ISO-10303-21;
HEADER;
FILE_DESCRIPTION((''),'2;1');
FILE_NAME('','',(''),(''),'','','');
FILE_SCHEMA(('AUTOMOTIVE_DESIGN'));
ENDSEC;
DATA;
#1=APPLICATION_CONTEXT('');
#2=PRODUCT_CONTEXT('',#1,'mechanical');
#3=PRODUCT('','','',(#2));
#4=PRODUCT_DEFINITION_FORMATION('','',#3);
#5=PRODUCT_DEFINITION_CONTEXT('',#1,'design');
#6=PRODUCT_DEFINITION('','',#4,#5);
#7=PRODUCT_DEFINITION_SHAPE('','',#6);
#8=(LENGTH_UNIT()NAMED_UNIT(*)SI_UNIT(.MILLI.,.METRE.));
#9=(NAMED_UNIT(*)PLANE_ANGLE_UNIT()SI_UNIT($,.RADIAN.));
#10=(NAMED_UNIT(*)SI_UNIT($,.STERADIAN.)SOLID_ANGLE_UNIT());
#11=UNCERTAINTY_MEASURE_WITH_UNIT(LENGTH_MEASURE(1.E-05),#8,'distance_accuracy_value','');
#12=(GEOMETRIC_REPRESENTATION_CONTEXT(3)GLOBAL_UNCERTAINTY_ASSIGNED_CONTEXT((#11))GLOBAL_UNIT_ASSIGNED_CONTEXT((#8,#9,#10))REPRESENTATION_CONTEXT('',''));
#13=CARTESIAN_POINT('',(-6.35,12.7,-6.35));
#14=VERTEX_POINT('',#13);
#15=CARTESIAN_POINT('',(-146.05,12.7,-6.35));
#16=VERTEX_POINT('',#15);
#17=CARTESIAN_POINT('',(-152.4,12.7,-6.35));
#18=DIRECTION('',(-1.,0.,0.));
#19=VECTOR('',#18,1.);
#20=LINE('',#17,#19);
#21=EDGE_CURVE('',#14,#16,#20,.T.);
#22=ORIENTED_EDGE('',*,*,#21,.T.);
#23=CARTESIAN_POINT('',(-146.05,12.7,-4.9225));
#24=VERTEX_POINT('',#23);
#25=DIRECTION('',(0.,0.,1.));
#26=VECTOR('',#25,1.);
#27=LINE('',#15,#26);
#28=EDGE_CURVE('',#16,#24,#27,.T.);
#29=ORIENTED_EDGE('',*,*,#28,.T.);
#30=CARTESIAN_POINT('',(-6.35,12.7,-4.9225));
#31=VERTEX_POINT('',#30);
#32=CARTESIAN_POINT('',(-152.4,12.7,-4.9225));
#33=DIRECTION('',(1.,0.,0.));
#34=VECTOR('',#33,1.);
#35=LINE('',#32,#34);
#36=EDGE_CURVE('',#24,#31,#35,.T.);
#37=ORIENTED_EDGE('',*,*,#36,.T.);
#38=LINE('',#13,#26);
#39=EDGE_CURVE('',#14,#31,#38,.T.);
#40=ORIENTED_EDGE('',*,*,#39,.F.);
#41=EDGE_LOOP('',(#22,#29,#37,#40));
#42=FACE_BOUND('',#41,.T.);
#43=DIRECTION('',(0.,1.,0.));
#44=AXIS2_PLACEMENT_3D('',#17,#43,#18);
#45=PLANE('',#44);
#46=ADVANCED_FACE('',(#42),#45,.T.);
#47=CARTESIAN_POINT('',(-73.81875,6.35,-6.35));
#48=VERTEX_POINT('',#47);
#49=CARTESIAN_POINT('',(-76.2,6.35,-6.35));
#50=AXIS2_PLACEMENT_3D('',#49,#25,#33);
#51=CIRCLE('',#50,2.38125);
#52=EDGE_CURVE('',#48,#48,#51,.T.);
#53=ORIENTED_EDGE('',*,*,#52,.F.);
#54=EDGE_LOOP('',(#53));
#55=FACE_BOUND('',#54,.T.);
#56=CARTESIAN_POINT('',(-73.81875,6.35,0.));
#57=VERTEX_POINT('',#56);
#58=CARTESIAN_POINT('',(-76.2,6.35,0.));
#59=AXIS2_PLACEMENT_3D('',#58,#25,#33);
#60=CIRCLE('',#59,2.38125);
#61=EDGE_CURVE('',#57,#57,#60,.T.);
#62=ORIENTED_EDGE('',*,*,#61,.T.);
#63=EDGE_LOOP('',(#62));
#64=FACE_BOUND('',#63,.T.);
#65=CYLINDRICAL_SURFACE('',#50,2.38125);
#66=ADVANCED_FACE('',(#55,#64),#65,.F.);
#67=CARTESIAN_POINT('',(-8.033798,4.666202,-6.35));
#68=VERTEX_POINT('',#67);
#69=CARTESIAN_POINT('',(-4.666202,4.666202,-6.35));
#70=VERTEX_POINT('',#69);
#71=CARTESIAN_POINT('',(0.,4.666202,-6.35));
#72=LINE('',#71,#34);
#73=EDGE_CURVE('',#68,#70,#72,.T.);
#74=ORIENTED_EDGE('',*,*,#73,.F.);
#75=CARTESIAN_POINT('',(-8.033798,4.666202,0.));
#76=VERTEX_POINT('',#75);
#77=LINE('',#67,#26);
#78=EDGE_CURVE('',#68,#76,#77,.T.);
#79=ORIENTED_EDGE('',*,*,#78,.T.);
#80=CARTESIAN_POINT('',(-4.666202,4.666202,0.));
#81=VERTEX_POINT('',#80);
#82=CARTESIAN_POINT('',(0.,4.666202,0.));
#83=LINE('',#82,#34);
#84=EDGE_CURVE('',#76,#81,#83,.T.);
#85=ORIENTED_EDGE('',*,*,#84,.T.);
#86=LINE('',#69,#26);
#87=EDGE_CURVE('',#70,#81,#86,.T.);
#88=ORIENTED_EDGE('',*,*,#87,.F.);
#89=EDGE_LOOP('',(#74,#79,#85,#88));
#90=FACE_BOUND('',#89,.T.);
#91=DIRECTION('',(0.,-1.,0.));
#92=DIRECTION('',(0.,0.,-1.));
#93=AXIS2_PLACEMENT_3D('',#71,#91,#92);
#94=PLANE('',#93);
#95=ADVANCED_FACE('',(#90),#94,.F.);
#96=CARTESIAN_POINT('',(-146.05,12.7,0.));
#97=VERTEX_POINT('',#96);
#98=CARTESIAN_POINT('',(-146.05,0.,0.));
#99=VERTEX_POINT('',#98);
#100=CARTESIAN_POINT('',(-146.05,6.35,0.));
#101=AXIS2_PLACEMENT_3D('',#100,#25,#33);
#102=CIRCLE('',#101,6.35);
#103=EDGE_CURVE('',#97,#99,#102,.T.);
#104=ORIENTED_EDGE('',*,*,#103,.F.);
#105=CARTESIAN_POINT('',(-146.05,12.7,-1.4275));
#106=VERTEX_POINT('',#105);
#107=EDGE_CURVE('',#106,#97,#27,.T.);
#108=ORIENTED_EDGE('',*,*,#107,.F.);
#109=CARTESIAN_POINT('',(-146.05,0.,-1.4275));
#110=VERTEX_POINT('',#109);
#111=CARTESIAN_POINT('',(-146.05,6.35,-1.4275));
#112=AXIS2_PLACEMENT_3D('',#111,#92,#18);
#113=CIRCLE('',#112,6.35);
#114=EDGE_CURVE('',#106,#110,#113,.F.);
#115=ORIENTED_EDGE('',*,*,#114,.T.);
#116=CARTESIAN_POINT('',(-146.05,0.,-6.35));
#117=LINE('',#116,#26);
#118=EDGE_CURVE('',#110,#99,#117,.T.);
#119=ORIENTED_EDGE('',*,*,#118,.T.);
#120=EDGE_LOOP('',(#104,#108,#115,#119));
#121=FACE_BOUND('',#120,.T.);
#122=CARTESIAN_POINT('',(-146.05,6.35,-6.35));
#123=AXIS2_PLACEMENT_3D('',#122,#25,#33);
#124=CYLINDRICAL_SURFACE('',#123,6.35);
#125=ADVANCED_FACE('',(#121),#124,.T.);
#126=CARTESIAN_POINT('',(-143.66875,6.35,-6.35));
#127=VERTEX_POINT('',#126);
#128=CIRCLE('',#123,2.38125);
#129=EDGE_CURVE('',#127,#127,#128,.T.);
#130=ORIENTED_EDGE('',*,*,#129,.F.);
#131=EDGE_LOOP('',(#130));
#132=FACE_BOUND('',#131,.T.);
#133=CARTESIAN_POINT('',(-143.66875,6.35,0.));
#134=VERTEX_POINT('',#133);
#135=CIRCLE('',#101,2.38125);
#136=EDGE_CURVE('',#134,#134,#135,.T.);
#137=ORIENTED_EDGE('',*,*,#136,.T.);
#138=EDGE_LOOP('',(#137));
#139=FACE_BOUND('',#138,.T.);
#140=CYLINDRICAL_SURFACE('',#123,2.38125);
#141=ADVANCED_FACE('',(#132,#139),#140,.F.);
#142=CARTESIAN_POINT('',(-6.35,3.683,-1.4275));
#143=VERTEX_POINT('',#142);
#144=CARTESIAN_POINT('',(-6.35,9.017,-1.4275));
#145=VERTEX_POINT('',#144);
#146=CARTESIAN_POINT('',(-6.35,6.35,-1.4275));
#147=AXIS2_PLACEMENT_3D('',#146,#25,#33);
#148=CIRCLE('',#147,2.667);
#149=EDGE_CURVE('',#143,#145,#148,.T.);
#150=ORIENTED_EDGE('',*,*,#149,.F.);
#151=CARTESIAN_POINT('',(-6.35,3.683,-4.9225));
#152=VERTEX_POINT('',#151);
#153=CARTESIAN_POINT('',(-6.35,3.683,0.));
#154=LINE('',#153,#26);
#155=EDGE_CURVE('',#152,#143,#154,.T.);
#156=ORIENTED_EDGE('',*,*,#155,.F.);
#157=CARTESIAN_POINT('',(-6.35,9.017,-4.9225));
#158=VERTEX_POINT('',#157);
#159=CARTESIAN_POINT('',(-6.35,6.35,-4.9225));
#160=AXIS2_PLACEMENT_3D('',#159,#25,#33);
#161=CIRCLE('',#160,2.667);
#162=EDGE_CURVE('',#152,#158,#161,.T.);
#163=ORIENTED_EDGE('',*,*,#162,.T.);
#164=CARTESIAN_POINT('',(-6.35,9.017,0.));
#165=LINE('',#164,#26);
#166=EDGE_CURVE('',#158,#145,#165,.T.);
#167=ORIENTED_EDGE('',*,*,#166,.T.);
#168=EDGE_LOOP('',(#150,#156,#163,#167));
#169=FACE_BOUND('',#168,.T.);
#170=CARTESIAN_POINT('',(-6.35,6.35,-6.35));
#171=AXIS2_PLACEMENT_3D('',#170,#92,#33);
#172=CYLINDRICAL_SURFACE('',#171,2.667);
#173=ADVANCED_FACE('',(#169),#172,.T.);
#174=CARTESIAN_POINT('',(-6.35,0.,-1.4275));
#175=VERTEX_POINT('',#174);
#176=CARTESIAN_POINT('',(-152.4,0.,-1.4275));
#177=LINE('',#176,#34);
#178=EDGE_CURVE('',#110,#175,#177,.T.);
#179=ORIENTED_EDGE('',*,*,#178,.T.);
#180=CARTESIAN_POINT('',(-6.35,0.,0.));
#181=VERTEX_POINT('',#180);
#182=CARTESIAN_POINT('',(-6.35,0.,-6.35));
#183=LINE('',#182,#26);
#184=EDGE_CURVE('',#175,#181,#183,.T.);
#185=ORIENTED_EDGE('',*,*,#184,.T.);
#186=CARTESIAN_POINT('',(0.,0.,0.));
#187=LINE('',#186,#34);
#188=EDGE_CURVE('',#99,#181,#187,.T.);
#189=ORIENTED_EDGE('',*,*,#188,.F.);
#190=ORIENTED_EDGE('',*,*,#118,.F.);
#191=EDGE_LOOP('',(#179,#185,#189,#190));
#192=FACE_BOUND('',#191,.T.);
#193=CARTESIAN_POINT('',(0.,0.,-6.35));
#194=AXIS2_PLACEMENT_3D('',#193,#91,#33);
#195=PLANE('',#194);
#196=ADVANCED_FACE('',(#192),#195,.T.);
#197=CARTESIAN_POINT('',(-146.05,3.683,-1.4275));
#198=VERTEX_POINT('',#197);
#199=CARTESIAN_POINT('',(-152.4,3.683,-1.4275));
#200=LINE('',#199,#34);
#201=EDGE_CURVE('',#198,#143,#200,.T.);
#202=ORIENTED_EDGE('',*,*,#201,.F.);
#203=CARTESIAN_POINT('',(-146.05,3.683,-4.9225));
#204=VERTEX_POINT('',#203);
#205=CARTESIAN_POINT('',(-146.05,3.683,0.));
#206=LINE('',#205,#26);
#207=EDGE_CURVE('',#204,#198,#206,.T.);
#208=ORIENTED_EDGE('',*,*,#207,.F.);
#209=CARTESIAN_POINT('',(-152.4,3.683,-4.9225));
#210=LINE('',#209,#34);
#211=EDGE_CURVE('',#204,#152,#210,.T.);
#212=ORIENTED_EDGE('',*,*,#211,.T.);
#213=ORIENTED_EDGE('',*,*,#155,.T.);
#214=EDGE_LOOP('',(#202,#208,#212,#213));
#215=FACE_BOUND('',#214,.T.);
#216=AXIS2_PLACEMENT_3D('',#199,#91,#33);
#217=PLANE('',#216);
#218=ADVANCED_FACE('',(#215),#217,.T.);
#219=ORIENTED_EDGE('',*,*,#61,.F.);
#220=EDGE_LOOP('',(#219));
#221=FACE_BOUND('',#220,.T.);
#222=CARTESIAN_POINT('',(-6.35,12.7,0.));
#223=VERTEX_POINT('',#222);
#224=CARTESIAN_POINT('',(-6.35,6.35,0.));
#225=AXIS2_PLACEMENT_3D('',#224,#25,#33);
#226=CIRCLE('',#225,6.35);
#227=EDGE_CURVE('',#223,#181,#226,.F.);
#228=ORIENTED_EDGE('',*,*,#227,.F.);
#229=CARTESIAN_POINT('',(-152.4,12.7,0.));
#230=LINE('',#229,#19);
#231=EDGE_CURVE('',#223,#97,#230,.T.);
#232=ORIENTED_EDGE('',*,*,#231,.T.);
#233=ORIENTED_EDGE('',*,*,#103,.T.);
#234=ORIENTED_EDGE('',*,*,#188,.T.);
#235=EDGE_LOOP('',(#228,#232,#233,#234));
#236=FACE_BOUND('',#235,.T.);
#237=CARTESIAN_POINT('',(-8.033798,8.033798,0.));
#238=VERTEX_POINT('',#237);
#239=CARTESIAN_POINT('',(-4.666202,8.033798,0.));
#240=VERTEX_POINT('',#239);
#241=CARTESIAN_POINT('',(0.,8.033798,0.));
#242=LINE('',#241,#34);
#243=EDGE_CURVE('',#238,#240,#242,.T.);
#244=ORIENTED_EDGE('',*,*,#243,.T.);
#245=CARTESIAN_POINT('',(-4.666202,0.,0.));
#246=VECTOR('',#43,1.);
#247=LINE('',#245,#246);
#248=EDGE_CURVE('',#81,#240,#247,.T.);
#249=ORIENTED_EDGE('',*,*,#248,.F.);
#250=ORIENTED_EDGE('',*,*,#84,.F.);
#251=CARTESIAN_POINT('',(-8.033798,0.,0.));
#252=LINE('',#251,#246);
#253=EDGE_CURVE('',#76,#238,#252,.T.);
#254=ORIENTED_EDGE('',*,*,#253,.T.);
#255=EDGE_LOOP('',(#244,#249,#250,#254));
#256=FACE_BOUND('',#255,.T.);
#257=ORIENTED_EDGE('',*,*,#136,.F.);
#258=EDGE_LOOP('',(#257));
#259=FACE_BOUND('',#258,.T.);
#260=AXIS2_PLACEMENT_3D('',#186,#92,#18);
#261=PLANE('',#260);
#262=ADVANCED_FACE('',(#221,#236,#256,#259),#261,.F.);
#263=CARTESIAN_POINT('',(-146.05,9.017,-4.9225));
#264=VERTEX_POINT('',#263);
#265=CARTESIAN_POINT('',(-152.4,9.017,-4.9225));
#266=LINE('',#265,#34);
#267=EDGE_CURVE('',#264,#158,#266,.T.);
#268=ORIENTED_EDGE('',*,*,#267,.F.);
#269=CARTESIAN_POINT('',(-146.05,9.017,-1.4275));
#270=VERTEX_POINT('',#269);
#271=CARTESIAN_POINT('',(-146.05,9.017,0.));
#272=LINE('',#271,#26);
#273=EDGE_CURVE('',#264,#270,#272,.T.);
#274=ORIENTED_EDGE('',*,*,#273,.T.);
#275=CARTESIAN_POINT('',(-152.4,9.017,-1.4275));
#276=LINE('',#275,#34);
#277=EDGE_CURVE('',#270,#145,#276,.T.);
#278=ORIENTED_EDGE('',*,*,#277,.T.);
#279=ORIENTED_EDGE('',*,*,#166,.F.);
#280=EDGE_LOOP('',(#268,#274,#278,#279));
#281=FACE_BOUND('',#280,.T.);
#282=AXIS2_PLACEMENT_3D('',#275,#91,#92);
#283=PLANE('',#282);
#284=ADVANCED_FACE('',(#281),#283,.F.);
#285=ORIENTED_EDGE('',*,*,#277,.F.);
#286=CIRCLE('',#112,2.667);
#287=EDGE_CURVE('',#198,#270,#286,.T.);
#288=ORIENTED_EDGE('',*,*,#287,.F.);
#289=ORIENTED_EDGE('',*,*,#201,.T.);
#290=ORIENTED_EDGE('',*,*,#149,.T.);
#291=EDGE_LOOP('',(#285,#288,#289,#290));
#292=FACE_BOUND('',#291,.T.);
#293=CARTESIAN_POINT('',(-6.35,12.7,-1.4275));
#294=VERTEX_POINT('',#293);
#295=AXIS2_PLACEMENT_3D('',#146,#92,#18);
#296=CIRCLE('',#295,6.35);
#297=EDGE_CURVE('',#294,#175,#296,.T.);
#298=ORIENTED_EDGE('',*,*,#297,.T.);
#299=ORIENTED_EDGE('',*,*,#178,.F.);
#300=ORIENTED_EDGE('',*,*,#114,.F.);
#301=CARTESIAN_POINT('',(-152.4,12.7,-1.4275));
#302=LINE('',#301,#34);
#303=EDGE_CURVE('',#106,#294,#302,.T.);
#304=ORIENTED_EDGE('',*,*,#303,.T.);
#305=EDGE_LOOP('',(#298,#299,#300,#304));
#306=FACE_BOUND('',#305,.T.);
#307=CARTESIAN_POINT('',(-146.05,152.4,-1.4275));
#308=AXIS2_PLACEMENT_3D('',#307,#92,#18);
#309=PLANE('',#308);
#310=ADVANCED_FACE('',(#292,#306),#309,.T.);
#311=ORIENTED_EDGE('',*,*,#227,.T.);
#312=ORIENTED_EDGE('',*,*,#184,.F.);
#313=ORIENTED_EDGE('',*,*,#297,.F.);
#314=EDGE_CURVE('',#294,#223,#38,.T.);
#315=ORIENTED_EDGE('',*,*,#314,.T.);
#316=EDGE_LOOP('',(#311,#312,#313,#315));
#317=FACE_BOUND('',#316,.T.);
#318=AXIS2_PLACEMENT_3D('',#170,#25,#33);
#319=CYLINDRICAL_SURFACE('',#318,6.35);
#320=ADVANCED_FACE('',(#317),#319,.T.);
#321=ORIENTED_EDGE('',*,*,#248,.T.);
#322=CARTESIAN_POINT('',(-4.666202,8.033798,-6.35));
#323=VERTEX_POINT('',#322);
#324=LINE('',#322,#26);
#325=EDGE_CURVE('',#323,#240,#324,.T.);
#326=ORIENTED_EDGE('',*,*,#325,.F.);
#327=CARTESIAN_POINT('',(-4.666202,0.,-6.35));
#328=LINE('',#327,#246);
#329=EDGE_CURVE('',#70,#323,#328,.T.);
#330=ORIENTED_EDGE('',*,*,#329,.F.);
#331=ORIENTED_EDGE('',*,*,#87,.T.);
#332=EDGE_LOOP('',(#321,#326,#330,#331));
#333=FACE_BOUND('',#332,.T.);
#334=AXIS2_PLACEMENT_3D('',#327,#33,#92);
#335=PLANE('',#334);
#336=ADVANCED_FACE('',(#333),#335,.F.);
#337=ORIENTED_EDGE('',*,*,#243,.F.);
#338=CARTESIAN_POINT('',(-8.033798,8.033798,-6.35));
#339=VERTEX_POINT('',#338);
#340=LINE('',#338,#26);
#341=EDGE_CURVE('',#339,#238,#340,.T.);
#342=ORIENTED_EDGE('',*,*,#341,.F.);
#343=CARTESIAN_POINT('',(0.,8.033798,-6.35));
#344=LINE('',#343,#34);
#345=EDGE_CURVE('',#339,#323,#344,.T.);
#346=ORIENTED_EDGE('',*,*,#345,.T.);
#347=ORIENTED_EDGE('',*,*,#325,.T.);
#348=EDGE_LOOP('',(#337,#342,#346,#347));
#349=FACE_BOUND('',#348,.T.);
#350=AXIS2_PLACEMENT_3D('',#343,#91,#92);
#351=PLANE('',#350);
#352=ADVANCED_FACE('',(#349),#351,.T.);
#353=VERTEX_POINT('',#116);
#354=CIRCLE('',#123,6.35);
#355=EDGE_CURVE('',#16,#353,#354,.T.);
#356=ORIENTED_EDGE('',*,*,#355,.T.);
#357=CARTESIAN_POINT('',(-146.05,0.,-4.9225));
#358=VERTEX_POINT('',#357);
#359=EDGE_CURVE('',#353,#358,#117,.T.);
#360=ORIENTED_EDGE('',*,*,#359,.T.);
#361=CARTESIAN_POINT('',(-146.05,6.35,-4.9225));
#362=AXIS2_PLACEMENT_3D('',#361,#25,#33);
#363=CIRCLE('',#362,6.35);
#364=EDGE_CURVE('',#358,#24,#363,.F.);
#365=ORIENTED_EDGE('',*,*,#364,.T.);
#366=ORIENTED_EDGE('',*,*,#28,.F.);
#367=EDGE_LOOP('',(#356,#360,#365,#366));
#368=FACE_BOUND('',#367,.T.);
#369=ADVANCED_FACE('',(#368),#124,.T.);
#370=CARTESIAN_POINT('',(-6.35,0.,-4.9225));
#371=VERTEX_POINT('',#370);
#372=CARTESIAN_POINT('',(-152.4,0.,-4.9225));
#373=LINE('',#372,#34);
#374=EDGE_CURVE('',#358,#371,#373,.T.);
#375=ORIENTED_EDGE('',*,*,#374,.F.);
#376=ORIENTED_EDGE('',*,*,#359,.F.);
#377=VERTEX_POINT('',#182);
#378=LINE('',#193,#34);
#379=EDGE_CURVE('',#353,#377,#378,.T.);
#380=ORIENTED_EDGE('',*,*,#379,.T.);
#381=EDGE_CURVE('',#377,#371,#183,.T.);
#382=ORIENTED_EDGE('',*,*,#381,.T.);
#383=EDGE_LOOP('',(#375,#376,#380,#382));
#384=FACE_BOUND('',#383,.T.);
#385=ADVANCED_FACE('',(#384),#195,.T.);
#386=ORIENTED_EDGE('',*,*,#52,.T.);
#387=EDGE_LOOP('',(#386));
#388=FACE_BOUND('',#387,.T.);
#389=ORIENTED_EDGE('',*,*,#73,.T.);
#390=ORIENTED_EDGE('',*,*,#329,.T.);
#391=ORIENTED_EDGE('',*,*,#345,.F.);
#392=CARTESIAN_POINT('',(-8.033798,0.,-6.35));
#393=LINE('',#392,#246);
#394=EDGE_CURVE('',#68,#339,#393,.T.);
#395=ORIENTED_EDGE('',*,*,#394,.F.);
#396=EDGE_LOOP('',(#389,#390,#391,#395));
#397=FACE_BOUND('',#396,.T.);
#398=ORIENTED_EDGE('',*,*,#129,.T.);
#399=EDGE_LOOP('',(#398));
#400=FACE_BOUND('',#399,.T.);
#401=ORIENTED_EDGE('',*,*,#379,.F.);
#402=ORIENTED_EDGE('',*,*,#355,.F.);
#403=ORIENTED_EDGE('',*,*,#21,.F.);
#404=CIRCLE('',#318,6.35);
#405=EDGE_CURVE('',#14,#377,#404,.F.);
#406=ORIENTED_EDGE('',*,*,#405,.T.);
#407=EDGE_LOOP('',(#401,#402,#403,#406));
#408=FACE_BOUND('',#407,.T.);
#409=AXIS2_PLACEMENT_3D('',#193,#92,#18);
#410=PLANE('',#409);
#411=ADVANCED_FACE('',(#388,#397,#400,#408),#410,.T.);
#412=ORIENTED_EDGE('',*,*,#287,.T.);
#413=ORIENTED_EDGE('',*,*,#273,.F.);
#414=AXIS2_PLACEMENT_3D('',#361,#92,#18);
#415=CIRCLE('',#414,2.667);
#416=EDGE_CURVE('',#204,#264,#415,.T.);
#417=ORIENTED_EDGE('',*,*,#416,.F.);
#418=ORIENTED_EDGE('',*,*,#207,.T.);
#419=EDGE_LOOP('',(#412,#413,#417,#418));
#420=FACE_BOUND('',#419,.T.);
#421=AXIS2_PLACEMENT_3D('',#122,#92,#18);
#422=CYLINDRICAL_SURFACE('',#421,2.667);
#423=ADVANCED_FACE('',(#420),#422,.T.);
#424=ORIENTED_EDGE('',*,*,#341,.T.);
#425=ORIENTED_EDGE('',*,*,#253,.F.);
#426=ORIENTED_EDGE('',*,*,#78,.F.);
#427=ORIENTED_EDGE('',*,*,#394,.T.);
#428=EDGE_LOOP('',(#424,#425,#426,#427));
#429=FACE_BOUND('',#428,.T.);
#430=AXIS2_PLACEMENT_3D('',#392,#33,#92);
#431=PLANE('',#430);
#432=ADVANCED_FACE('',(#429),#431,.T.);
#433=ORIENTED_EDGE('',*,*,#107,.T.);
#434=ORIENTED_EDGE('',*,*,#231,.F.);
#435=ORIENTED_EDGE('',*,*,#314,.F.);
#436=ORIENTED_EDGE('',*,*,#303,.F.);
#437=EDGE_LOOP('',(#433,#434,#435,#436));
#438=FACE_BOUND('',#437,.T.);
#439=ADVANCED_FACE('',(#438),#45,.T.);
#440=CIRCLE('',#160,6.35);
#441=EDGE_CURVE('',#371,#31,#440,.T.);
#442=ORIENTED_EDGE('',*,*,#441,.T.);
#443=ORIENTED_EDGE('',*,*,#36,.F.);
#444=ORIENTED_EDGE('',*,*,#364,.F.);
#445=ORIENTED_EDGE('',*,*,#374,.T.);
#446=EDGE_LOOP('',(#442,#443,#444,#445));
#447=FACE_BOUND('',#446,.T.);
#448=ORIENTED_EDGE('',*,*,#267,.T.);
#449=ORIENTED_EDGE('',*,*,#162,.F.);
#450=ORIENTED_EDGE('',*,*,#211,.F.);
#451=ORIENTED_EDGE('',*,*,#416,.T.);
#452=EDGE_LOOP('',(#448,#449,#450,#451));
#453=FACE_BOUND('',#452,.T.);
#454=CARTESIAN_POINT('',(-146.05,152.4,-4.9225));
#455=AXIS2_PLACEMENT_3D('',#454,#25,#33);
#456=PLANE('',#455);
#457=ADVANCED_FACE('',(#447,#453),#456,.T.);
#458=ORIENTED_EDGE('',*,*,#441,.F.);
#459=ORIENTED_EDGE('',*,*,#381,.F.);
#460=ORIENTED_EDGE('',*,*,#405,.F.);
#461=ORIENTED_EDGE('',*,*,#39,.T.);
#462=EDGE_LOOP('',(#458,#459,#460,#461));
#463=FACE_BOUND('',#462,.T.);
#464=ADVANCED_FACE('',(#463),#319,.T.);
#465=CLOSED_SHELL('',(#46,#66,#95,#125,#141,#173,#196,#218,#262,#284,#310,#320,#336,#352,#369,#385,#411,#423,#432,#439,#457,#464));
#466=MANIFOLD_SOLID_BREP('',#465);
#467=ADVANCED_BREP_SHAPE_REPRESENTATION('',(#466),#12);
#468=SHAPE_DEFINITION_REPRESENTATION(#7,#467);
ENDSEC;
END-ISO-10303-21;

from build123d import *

# Parameters (mm, degrees)
ESQUISSE1_W             = 152.4
ESQUISSE1_H             = 12.7
BOSS_EXTRU_1_DEPTH      = 6.35
ESQUISSE2_W             = 3.367596046
ESQUISSE2_H             = 3.367596046
ESQUISSE2_R             = 2.38125
ENL_V_MAT_EXTRU_1_DEPTH = 154.060029074
SKETCH1_W               = 17.85376538
SKETCH1_H               = 3.495000122
CUT_REVOLVE1_ANGLE      = 180
SKETCH2_W               = 3.495000122
SKETCH2_H               = 3.683
CUT_EXTRUDE1_DEPTH      = 154.060029074


with BuildPart() as part:
    # Esquisse1 → Boss.-Extru.1 (new body)
    with BuildSketch(Plane.XY):
        with Locations((-76.2, 6.35)):
            Rectangle(ESQUISSE1_W, ESQUISSE1_H)
    extrude(amount=-BOSS_EXTRU_1_DEPTH)

    # Esquisse2 → Enlèv. mat.-Extru.1 (cut, through all)
    with BuildSketch(Plane.XY):
        with BuildLine():
            Line((0, 12.7), (-6.35, 12.7))
            ThreePointArc((-6.35, 12.7), (-1.859871939, 10.840128061), (0, 6.35))
            Line((0, 6.35), (0, 12.7))
        make_face()
        with BuildLine():
            Line((0, 0), (0, 6.35))
            ThreePointArc((0, 6.35), (-1.859871939, 1.859871939), (-6.35, 0))
            Line((-6.35, 0), (0, 0))
        make_face()
        with BuildLine():
            ThreePointArc((-152.4, 6.35), (-150.540128061, 10.840128061), (-146.05, 12.7))
            Line((-146.05, 12.7), (-152.4, 12.7))
            Line((-152.4, 12.7), (-152.4, 6.35))
        make_face()
        with BuildLine():
            ThreePointArc((-146.05, 0), (-150.540128061, 1.859871939), (-152.4, 6.35))
            Line((-152.4, 6.35), (-152.4, 0))
            Line((-152.4, 0), (-146.05, 0))
        make_face()
        with Locations((-6.35, 6.35)):
            Rectangle(ESQUISSE2_W, ESQUISSE2_H)
        with Locations((-146.05, 6.35)):
            Circle(ESQUISSE2_R)
        with Locations((-76.2, 6.35)):
            Circle(ESQUISSE2_R)
    extrude(amount=-ENL_V_MAT_EXTRU_1_DEPTH, mode=Mode.SUBTRACT)

    # Sketch1 → Cut-Revolve1 (revolve, symmetric, cut)
    with BuildSketch(Plane(origin=(0, 6.35, 0), x_dir=(1, 0, 0), z_dir=(0, 1, 0))) as cut_revolve1_sk:
        with Locations((-157.64388269, 3.175)):
            Rectangle(SKETCH1_W, SKETCH1_H)
    cut_revolve1 = revolve(axis=Axis((-146.05, 6.35, -6.35), (0, 0, 1)), revolution_arc=CUT_REVOLVE1_ANGLE / 2, mode=Mode.SUBTRACT)
    cut_revolve1 = cut_revolve1 + revolve(cut_revolve1_sk.sketch, axis=Axis((-146.05, 6.35, -6.35), (0, 0, -1)), revolution_arc=CUT_REVOLVE1_ANGLE / 2, mode=Mode.SUBTRACT)

    # Mirror1: Cut-Revolve1 across plane
    add(cut_revolve1.mirror(Plane(origin=(-76.2, 0, 0), x_dir=(0, 0, 1), z_dir=(1, 0, 0))), mode=Mode.SUBTRACT)

    # Sketch2 → Cut-Extrude1 (cut, through all)
    with BuildSketch(Plane(origin=(0, 0, 0), x_dir=(0, 0, -1), z_dir=(1, 0, 0))):
        with Locations((3.175, 10.8585)):
            Rectangle(SKETCH2_W, SKETCH2_H)
    cut_extrude1 = extrude(amount=-CUT_EXTRUDE1_DEPTH, mode=Mode.SUBTRACT)

    # Mirror2: Cut-Extrude1 across plane
    add(cut_extrude1.mirror(Plane.ZX.offset(6.35)), mode=Mode.SUBTRACT)


solid = part.part
